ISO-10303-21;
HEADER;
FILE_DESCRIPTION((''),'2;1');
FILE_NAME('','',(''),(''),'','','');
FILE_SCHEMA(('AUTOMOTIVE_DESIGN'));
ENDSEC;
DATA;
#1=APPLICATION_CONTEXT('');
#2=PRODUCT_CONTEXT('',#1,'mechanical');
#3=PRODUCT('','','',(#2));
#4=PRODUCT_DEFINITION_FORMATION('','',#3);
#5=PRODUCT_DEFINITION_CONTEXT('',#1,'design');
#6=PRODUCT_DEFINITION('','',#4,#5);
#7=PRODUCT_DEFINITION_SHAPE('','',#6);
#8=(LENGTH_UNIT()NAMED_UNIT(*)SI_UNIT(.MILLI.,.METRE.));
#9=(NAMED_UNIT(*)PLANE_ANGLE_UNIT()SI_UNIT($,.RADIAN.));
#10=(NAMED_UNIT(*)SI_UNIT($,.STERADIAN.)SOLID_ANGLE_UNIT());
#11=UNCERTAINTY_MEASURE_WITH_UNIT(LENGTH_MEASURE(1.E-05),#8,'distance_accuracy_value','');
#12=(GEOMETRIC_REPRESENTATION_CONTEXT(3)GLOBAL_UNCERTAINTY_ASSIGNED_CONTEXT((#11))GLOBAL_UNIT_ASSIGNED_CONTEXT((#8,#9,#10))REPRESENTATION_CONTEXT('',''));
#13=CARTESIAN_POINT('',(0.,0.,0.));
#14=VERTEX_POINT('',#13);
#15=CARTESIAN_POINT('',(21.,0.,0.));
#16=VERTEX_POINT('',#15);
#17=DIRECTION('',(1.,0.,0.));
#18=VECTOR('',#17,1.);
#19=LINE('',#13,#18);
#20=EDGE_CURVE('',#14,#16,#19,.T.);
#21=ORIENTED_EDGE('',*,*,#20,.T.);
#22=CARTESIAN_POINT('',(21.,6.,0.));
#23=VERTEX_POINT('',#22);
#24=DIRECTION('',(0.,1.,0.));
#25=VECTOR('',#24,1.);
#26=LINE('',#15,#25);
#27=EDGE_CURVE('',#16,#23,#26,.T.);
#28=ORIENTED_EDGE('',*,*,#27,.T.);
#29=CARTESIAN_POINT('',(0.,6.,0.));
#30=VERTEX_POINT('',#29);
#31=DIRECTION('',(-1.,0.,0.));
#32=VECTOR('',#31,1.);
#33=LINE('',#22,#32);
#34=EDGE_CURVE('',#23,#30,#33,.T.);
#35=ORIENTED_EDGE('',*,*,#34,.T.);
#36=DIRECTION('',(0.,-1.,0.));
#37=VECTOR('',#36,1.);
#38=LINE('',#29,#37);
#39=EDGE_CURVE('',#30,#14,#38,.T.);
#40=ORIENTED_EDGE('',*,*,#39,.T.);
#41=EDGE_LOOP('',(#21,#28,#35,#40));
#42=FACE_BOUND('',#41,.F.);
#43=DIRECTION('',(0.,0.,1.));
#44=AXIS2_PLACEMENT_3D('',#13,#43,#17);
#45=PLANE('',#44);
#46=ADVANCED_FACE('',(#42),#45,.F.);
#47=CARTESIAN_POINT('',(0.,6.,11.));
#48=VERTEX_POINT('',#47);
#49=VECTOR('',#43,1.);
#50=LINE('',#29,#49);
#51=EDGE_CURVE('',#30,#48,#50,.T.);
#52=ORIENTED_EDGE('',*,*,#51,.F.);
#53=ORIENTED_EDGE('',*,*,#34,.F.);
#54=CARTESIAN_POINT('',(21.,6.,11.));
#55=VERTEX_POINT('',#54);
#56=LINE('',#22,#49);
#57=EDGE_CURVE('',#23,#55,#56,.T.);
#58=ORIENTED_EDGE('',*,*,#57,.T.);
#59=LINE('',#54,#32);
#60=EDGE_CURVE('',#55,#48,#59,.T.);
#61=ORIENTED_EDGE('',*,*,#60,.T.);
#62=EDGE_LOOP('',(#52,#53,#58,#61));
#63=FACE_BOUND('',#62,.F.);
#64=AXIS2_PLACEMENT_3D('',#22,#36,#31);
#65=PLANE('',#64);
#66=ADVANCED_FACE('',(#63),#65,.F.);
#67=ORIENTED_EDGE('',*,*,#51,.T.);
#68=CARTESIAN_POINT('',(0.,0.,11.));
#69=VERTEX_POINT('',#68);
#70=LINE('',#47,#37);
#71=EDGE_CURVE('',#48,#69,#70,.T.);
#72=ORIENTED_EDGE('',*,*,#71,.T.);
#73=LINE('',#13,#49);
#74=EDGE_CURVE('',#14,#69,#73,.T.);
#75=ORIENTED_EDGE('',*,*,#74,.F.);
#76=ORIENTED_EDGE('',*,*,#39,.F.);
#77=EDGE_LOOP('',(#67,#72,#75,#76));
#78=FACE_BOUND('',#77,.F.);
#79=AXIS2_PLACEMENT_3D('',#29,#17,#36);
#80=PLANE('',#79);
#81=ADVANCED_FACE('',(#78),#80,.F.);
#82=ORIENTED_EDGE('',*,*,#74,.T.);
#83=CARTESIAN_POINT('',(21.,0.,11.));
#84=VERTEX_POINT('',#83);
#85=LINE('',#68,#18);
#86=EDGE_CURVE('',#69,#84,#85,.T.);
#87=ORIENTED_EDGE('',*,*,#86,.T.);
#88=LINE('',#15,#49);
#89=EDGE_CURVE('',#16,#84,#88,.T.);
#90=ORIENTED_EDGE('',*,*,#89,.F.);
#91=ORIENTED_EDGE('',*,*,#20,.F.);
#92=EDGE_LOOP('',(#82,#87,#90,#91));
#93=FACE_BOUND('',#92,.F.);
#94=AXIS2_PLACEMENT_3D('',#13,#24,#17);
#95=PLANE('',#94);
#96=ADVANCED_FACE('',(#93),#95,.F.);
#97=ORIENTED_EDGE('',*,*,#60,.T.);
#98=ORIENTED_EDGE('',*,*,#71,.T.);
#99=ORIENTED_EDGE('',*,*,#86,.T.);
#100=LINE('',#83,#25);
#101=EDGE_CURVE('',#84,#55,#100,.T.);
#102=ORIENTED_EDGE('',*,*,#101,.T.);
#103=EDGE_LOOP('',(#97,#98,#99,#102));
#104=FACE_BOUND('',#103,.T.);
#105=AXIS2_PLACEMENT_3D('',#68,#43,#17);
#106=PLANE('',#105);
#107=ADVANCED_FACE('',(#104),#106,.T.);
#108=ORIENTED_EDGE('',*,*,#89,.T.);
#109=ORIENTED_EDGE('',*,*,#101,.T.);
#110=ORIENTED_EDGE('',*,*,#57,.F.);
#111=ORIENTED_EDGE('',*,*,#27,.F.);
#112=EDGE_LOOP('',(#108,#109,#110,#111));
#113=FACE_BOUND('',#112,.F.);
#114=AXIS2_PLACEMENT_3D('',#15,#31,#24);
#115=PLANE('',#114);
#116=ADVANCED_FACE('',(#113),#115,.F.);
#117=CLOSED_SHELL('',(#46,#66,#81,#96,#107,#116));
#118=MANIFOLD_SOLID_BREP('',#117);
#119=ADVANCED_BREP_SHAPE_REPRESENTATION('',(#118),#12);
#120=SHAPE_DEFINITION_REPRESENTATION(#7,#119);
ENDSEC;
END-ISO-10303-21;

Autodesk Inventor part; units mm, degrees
ref_plane "YZ Plane" through (0, 0, 0) normal (1, 0, 0) x (0, 1, 0)
ref_plane "XZ Plane" through (0, 0, 0) normal (0, 1, 0) x (-1, 0, 0)
ref_plane "XY Plane" through (0, 0, 0) normal (0, 0, 1) x (1, 0, 0)
sketch "Skizze1" plane through (0, 0, 0) normal (0, 0, 1) x (1, 0, 0)
  line L0 (0, 0) -> (21, 0)
  line L1 (21, 0) -> (21, 6)
  line L2 (21, 6) -> (0, 6)
  line L3 (0, 6) -> (0, 0)
extrude "Extrusion1" add sketch "Skizze1" along normal blind 11
properties part number "Mikroschalter_ph"
